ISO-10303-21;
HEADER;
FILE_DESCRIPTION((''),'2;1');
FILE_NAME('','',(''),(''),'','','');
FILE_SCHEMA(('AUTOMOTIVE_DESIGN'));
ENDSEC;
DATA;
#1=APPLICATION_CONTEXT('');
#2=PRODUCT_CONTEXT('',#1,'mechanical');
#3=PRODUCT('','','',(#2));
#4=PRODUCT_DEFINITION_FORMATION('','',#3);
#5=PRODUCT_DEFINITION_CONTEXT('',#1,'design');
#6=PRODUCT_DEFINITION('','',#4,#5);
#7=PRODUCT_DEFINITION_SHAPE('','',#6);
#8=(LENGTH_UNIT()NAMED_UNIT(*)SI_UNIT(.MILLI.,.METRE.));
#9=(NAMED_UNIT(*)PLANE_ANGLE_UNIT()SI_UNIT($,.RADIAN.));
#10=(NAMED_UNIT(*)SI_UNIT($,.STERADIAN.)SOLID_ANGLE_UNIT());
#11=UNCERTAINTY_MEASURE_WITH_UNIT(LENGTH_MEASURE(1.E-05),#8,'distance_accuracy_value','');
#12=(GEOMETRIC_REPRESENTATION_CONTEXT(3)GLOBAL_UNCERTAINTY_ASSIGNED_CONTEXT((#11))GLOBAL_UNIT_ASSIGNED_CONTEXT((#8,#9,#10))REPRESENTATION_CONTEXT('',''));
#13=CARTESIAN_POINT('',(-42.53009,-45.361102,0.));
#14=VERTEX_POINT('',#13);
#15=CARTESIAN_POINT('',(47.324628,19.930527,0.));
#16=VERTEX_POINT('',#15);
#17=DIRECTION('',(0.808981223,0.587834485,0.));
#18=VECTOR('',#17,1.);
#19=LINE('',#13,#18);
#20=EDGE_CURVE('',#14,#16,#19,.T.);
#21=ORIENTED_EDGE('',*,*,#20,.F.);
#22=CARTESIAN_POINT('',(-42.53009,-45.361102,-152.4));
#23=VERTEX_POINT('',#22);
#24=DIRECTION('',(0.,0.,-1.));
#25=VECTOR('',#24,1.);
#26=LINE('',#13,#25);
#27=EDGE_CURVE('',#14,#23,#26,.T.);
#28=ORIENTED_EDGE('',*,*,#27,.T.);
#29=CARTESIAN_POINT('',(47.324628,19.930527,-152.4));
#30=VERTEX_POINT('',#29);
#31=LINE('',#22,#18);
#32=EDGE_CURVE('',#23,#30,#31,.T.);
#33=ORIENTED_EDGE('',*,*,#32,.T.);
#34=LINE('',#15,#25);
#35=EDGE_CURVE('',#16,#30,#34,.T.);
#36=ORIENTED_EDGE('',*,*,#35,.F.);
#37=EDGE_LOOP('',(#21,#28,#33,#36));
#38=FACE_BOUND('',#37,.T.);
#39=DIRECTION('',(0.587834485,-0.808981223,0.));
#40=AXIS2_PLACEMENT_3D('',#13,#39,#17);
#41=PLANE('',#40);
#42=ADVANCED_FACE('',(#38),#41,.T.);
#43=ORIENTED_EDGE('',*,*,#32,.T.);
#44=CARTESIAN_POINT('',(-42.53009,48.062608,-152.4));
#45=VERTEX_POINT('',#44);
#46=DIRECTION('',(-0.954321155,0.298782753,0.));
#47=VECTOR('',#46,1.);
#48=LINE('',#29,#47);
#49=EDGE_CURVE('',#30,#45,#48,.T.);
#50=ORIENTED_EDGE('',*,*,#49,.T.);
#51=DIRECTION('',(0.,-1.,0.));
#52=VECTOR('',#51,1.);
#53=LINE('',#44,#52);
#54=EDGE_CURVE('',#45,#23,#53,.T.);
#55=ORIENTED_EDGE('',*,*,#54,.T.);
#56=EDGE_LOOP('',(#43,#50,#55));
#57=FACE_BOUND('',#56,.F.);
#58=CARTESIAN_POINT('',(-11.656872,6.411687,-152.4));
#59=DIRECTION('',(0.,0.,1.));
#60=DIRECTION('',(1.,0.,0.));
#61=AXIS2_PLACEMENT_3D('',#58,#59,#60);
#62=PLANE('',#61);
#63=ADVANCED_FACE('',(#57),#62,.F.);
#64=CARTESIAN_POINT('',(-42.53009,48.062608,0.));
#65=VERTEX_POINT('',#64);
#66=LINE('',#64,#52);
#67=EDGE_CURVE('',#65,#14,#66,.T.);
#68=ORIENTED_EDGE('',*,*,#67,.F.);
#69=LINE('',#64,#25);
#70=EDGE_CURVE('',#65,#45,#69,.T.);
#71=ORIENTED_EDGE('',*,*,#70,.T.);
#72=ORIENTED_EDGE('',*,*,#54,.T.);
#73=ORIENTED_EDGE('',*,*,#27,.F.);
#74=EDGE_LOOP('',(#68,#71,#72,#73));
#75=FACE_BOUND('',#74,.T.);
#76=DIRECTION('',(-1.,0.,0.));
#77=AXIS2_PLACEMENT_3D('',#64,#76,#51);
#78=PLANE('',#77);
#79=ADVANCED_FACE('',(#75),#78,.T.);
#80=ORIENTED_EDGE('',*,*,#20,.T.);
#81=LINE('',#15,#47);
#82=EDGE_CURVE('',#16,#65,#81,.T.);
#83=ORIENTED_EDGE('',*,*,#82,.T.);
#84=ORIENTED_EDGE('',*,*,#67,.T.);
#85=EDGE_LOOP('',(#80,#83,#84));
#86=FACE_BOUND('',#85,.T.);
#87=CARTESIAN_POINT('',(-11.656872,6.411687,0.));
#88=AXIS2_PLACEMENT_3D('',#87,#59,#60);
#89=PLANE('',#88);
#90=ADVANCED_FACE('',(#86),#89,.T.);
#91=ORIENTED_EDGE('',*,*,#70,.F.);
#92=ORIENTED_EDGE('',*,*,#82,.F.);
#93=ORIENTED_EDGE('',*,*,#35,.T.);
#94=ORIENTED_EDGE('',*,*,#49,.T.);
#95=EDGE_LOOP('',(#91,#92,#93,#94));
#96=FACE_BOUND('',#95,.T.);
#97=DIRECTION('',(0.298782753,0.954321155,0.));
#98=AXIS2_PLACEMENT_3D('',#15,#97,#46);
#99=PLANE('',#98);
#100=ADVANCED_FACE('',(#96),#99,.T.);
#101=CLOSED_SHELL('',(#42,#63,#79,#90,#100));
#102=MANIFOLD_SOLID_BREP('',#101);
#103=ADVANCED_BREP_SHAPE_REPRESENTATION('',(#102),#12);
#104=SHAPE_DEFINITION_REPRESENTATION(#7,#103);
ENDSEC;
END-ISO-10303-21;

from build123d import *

# Parameters (mm, degrees)
F1_DEPTH = 152.4


with BuildPart() as f1:
    # F0 (on Top) → F1 (new body)
    with BuildSketch(Plane.XY):
        Polygon((-42.53009, 48.062608), (-42.53009, -45.361102), (47.324628, 19.930527), align=None)
    extrude(amount=-F1_DEPTH)


solid = f1.part
